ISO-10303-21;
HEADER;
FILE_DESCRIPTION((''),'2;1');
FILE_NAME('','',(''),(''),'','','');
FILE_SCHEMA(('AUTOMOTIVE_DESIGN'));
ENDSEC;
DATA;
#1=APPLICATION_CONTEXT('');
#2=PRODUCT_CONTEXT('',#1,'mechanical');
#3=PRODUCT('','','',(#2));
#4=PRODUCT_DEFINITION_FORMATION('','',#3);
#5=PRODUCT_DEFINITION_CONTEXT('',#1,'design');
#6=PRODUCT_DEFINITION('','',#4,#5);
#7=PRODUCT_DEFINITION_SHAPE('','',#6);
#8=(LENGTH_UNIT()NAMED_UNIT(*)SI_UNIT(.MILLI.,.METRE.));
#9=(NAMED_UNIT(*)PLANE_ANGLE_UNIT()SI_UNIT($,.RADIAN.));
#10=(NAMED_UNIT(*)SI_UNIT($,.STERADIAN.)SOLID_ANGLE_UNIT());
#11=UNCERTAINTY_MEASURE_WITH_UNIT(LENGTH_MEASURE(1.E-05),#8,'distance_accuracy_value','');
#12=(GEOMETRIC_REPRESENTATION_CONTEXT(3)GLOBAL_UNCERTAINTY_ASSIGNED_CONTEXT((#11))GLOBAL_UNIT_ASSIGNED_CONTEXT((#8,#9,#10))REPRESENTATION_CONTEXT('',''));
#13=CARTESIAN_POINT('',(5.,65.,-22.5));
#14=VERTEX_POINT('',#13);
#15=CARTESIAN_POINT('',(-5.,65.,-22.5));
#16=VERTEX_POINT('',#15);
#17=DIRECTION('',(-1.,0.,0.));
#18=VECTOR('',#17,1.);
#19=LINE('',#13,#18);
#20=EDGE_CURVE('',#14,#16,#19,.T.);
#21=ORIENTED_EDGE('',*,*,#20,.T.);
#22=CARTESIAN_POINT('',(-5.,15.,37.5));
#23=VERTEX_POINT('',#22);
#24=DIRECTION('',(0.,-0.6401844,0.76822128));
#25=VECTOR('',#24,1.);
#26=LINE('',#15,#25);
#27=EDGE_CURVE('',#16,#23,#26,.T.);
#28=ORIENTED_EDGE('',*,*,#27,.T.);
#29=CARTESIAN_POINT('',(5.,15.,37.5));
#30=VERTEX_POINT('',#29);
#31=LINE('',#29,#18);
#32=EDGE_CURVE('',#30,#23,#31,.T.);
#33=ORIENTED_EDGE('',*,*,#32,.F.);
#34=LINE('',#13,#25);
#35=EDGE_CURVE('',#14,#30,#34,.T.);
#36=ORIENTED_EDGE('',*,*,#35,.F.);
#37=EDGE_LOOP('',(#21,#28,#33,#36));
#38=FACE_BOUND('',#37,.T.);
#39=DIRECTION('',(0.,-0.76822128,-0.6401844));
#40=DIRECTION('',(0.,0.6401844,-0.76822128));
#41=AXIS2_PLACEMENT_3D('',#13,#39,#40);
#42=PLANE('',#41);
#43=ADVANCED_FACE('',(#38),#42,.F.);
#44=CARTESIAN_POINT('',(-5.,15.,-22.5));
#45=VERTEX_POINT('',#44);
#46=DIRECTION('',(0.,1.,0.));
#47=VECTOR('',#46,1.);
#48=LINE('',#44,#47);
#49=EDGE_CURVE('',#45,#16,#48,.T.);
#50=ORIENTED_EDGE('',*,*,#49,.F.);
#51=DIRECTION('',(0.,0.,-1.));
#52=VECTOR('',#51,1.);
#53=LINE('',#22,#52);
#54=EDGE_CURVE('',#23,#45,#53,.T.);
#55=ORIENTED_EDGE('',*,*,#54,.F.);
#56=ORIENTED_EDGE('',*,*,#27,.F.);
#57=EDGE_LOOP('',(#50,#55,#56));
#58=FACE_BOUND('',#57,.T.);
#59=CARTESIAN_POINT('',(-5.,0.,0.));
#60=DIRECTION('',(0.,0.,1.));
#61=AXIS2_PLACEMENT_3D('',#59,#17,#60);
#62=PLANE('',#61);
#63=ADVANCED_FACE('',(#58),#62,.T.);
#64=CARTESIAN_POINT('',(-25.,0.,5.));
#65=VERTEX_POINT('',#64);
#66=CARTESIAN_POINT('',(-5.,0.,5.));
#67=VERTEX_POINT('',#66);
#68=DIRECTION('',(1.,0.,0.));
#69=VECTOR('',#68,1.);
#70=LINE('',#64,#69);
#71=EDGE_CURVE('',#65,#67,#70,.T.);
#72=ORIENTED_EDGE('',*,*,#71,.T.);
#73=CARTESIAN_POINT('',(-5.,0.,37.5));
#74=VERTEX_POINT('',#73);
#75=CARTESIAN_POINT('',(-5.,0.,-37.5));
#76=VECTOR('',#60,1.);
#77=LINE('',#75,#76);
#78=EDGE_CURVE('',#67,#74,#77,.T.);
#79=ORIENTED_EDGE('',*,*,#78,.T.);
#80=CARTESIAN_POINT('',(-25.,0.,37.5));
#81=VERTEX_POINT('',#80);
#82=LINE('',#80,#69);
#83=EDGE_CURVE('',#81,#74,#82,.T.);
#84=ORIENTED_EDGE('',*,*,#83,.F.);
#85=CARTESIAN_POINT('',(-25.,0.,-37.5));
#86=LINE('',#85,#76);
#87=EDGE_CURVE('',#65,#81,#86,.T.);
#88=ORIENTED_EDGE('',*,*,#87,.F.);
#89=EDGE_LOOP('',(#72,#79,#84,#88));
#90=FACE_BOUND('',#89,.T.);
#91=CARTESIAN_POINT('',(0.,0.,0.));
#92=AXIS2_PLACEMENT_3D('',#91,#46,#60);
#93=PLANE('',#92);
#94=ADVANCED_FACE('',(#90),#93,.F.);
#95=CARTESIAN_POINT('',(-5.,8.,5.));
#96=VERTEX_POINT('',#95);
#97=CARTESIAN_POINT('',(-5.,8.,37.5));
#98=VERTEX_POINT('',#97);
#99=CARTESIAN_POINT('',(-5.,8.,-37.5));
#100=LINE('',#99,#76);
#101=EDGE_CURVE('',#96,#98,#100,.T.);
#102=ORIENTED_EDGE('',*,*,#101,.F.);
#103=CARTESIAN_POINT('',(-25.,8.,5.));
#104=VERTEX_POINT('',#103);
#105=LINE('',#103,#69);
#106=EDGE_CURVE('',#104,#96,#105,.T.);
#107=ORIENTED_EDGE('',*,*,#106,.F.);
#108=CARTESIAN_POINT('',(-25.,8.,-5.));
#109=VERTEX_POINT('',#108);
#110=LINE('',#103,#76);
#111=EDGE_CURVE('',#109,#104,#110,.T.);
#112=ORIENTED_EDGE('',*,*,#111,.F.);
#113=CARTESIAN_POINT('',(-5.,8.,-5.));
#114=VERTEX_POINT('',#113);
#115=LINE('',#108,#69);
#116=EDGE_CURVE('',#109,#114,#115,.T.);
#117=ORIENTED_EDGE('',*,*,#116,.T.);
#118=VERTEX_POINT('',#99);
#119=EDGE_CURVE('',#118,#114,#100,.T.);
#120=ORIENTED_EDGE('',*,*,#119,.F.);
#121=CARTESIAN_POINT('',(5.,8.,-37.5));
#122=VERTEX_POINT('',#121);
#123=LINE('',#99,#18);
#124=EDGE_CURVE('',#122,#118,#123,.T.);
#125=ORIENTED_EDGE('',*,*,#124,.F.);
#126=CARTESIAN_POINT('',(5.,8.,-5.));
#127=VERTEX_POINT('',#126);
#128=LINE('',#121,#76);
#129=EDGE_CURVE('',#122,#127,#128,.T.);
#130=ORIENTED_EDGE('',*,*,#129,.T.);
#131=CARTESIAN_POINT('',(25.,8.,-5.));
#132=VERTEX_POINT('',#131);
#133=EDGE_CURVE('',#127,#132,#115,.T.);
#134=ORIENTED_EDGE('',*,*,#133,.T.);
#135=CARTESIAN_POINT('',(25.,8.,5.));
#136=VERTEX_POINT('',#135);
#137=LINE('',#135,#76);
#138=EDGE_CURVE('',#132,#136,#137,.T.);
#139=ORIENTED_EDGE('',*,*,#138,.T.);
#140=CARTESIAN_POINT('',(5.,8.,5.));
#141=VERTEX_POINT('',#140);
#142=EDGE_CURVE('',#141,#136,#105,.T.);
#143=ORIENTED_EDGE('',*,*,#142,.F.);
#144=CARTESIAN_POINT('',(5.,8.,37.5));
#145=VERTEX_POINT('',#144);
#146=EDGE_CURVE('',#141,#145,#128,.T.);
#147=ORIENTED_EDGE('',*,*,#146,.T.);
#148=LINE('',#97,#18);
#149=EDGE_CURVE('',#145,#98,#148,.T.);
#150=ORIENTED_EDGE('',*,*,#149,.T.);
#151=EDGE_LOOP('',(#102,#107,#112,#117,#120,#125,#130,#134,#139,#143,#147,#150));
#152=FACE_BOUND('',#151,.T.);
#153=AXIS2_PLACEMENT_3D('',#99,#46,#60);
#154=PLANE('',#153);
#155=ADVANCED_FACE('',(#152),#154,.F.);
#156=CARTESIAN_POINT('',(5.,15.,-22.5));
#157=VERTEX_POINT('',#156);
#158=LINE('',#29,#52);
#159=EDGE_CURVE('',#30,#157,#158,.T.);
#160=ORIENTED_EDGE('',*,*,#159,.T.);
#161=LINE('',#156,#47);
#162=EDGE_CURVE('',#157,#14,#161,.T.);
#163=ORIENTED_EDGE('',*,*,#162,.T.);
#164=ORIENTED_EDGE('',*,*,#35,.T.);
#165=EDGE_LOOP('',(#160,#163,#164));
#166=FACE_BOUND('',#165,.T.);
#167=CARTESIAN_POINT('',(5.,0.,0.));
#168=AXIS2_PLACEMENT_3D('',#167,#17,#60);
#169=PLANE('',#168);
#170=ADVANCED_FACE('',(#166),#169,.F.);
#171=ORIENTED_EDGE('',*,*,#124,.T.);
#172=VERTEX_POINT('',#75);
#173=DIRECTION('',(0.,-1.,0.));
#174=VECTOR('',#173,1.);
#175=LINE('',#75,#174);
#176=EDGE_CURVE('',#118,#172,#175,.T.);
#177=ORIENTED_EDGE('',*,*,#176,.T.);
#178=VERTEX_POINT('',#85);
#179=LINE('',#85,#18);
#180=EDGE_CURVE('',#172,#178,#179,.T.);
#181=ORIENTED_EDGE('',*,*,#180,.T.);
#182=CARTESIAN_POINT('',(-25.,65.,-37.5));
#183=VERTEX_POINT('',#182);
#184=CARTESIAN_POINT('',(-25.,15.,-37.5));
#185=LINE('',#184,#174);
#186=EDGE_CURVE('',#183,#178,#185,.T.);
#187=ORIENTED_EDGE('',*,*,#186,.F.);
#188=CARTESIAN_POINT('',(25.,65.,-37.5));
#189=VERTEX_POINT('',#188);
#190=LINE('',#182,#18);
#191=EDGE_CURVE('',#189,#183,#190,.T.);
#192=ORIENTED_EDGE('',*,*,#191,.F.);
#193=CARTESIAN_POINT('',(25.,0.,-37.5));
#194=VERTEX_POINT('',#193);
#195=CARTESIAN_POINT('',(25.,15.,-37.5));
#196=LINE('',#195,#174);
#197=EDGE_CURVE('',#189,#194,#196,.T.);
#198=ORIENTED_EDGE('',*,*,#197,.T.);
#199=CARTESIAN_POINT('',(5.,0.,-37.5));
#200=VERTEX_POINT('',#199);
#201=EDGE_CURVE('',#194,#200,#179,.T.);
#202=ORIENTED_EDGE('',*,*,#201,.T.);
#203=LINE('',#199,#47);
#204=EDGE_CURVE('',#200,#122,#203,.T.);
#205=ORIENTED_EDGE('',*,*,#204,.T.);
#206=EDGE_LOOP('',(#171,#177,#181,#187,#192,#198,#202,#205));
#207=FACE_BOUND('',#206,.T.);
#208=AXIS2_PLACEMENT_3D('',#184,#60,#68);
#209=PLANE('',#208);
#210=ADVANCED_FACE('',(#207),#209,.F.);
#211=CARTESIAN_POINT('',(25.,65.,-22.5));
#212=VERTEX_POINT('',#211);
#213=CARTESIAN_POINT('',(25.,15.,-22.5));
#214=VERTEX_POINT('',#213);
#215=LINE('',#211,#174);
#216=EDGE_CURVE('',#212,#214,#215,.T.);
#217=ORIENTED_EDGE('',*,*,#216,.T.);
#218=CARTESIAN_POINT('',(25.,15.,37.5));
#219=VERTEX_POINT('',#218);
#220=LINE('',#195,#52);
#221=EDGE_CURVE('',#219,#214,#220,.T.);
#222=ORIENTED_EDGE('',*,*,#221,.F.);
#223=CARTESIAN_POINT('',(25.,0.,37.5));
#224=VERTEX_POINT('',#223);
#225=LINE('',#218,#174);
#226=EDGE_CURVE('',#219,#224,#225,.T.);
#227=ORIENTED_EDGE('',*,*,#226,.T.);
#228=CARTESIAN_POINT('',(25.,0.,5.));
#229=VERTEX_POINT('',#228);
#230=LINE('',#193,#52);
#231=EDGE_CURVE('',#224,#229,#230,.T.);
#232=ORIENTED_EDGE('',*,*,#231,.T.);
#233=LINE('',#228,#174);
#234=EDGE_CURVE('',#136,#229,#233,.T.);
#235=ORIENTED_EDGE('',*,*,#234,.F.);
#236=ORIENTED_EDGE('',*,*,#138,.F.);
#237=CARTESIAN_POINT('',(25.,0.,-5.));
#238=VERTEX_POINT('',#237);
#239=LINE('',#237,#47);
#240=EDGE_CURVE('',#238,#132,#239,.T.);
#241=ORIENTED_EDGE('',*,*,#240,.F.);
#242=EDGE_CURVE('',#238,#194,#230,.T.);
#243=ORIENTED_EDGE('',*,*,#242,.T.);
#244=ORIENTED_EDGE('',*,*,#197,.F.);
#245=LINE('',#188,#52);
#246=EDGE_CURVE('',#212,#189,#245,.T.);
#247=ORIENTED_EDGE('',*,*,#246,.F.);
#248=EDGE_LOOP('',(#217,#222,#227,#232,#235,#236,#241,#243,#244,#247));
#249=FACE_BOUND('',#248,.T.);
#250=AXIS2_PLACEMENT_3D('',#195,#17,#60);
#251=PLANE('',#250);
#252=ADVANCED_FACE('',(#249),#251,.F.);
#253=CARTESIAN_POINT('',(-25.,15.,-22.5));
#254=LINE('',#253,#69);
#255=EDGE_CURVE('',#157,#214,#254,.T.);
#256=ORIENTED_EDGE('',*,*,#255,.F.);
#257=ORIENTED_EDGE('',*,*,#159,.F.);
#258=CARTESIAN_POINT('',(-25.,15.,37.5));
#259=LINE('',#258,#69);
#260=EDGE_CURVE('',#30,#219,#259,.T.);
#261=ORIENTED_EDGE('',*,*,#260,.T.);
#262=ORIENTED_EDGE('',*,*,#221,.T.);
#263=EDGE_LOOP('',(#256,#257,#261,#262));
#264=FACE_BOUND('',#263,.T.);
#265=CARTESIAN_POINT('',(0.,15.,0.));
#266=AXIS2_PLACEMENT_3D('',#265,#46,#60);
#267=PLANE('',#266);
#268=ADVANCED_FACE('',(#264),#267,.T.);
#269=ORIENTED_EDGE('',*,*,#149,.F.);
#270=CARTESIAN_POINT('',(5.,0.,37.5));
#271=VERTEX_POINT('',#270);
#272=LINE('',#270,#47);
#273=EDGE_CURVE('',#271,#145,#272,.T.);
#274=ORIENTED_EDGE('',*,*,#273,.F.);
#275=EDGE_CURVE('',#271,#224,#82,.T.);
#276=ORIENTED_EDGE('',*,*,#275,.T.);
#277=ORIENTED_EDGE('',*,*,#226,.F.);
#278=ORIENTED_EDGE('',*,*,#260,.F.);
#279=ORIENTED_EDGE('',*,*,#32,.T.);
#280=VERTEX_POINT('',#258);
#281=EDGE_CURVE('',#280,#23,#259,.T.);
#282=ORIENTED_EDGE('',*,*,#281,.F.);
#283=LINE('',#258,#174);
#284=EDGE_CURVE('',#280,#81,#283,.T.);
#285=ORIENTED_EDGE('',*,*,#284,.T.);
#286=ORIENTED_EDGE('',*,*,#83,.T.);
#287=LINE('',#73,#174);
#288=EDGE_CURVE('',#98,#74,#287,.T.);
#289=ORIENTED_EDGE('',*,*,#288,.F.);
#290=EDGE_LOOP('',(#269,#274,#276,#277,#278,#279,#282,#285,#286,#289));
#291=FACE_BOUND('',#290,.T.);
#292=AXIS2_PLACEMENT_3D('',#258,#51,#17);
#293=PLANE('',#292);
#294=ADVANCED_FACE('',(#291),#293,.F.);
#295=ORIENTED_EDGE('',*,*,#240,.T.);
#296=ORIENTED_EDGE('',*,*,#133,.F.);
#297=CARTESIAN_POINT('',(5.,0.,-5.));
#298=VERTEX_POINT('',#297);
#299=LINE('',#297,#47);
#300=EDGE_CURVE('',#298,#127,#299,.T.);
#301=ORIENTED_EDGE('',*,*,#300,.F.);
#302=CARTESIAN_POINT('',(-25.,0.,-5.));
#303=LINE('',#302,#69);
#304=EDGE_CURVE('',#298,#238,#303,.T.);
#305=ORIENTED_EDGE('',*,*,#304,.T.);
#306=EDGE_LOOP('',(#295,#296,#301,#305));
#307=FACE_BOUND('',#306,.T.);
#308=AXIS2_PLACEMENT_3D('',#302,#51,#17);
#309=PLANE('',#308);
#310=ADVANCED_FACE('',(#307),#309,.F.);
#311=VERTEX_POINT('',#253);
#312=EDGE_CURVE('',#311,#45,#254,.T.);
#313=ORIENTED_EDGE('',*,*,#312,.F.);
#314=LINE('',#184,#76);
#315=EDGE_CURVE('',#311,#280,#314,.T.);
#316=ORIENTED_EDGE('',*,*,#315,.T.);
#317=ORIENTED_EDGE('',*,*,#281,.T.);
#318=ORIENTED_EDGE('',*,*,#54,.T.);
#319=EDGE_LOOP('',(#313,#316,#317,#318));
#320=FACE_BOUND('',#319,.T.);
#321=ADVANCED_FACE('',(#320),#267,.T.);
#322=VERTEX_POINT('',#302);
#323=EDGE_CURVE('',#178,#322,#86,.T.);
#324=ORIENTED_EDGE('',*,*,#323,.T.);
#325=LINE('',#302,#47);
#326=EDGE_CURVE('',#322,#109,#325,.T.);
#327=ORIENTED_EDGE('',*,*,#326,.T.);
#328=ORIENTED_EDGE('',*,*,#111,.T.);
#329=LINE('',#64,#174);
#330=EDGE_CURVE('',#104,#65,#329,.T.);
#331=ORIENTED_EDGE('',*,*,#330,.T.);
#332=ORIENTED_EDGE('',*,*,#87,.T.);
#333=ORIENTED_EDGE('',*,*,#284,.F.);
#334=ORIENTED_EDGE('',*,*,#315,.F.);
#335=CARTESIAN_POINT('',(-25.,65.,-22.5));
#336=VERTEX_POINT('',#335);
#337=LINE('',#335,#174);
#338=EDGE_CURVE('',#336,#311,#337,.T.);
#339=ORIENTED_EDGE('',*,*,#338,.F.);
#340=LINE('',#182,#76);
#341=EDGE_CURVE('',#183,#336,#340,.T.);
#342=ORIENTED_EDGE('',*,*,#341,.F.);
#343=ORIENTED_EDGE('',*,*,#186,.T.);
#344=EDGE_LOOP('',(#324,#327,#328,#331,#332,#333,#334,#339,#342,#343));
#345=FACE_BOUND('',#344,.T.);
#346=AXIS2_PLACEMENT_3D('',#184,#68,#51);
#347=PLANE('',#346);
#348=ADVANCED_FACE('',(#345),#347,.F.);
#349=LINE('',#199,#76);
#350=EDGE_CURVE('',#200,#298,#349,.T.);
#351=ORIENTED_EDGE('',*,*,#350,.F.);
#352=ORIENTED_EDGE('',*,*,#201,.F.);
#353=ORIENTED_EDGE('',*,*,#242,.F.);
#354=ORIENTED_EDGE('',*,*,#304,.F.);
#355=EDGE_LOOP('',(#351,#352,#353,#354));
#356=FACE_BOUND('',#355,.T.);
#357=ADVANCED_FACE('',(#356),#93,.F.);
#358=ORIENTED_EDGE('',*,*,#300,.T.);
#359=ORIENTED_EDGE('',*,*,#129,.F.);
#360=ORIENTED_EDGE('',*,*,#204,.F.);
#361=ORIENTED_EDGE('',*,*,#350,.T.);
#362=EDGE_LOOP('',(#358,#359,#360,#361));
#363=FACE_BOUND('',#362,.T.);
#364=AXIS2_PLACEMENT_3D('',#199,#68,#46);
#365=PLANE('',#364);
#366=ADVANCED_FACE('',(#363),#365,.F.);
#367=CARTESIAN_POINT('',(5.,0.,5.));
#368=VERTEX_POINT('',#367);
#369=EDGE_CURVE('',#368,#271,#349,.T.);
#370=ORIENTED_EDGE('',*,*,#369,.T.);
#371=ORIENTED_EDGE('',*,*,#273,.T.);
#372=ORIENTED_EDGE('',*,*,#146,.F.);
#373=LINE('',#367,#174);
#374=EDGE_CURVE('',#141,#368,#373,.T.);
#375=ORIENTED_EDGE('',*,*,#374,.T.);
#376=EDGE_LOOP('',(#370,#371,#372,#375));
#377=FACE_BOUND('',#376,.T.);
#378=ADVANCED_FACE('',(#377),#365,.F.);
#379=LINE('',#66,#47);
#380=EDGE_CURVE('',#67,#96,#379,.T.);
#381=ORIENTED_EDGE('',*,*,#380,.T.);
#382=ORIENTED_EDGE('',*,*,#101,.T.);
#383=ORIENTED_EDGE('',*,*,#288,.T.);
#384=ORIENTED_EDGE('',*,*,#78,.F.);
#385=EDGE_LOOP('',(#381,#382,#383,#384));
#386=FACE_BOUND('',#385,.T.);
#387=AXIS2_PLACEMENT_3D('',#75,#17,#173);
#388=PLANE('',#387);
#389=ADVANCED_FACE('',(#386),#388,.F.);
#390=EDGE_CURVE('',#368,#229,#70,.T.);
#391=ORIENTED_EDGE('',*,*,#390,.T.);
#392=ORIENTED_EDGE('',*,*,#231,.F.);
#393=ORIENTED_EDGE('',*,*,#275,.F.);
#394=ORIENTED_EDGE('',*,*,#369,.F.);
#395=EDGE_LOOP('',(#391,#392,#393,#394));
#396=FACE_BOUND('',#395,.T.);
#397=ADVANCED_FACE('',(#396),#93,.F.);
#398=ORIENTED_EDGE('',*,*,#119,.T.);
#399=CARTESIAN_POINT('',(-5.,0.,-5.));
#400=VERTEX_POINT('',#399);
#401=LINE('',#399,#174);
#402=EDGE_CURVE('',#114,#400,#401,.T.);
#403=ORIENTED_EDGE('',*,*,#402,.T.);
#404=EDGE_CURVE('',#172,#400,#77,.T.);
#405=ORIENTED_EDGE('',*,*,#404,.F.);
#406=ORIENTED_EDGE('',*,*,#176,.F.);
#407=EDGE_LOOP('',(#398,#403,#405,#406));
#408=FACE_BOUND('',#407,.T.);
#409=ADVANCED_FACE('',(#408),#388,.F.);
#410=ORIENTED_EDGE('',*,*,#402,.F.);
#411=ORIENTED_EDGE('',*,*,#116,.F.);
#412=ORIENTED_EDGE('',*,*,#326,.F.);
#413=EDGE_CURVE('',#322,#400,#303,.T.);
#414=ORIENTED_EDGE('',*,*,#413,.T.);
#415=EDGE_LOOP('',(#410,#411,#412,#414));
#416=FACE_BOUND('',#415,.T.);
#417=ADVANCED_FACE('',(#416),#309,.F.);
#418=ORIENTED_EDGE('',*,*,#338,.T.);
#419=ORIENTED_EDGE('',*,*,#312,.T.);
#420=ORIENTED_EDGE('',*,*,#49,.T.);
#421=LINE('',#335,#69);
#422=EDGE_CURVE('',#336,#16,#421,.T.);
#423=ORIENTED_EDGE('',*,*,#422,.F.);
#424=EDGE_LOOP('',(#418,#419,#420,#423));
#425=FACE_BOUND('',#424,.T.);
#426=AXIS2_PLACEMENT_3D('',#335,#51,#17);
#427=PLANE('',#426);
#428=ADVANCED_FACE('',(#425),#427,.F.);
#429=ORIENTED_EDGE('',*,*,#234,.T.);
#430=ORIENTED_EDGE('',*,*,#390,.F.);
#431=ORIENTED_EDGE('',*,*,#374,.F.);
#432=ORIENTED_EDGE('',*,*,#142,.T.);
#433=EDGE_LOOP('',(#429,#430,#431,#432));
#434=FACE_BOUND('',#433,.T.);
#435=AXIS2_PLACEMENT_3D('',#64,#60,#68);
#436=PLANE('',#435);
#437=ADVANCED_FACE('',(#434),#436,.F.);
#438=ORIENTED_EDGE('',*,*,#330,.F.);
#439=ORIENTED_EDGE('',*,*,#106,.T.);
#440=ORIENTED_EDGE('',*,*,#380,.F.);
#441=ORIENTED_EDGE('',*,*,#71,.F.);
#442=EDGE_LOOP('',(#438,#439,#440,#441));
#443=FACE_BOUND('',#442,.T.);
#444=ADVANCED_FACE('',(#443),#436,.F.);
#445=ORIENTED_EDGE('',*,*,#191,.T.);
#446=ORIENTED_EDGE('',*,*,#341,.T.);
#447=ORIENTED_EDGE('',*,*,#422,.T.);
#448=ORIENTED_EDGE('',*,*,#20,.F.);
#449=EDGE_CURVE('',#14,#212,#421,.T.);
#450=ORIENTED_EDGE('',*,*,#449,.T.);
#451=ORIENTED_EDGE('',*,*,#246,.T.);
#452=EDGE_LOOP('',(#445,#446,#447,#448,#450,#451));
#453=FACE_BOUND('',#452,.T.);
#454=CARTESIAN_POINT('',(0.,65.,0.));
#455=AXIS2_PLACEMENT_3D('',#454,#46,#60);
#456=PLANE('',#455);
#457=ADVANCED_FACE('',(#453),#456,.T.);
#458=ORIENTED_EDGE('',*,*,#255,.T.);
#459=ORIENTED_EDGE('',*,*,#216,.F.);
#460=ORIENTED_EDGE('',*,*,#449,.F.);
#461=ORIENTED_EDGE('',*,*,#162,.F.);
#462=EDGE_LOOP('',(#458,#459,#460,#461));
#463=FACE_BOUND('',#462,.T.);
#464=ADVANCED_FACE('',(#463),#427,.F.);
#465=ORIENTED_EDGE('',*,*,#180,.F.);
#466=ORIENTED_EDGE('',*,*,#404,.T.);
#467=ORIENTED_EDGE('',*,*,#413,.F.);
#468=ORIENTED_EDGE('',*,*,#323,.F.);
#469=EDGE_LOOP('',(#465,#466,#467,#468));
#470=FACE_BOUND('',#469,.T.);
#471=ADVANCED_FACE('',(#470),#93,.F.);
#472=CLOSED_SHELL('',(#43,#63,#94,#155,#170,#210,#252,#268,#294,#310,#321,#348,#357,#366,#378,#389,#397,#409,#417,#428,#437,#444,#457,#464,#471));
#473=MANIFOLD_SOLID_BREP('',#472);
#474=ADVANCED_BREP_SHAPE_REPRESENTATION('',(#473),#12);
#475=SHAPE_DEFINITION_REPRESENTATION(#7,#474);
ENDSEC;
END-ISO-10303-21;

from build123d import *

# Parameters (mm, degrees)
IZIM1_W                     = 50
IZIM1_H                     = 75
Y_KSEKLIK_EKSTR_ZYON1_DEPTH = 15
IZIM2_W                     = 50
IZIM2_H                     = 15
Y_KSEKLIK_EKSTR_ZYON2_DEPTH = 50
Y_KSEKLIK_EKSTR_ZYON3_DEPTH = 5
IZIM5_W                     = 10
IZIM5_H                     = 8
KES_EKSTR_ZYON1_DEPTH       = 76
IZIM6_W                     = 10
IZIM6_H                     = 8
KES_EKSTR_ZYON2_DEPTH       = 51


with BuildPart() as part:
    # Çizim1 → Yükseklik-Ekstrüzyon1 (new body)
    with BuildSketch(Plane(origin=(0, 0, 0), x_dir=(1, 0, 0), z_dir=(0, 1, 0))):
        Rectangle(IZIM1_W, IZIM1_H)
    extrude(amount=Y_KSEKLIK_EKSTR_ZYON1_DEPTH)

    # Çizim2 → Yükseklik-Ekstrüzyon2 (add)
    with BuildSketch(Plane(origin=(0, 15, 0), x_dir=(1, 0, 0), z_dir=(0, 1, 0))):
        with Locations((0, 30)):
            Rectangle(IZIM2_W, IZIM2_H)
    extrude(amount=Y_KSEKLIK_EKSTR_ZYON2_DEPTH)

    # Çizim4 → Yükseklik-Ekstrüzyon3 (add, symmetric)
    with BuildSketch(Plane(origin=(0, 0, 0), x_dir=(0, 0, -1), z_dir=(1, 0, 0))):
        Polygon((22.5, 65), (-37.5, 15), (22.5, 15), align=None)
    extrude(amount=Y_KSEKLIK_EKSTR_ZYON3_DEPTH, both=True)

    # Çizim5 → Kes-Ekstrüzyon1 (cut, through all)
    with BuildSketch(Plane.XY.offset(37.5)):
        with Locations((0, 4)):
            Rectangle(IZIM5_W, IZIM5_H)
    extrude(amount=-KES_EKSTR_ZYON1_DEPTH, mode=Mode.SUBTRACT)

    # Çizim6 → Kes-Ekstrüzyon2 (cut, through all)
    with BuildSketch(Plane(origin=(25, 0, 0), x_dir=(0, 0, -1), z_dir=(1, 0, 0))):
        with Locations((0, 4)):
            Rectangle(IZIM6_W, IZIM6_H)
    extrude(amount=-KES_EKSTR_ZYON2_DEPTH, mode=Mode.SUBTRACT)


solid = part.part
